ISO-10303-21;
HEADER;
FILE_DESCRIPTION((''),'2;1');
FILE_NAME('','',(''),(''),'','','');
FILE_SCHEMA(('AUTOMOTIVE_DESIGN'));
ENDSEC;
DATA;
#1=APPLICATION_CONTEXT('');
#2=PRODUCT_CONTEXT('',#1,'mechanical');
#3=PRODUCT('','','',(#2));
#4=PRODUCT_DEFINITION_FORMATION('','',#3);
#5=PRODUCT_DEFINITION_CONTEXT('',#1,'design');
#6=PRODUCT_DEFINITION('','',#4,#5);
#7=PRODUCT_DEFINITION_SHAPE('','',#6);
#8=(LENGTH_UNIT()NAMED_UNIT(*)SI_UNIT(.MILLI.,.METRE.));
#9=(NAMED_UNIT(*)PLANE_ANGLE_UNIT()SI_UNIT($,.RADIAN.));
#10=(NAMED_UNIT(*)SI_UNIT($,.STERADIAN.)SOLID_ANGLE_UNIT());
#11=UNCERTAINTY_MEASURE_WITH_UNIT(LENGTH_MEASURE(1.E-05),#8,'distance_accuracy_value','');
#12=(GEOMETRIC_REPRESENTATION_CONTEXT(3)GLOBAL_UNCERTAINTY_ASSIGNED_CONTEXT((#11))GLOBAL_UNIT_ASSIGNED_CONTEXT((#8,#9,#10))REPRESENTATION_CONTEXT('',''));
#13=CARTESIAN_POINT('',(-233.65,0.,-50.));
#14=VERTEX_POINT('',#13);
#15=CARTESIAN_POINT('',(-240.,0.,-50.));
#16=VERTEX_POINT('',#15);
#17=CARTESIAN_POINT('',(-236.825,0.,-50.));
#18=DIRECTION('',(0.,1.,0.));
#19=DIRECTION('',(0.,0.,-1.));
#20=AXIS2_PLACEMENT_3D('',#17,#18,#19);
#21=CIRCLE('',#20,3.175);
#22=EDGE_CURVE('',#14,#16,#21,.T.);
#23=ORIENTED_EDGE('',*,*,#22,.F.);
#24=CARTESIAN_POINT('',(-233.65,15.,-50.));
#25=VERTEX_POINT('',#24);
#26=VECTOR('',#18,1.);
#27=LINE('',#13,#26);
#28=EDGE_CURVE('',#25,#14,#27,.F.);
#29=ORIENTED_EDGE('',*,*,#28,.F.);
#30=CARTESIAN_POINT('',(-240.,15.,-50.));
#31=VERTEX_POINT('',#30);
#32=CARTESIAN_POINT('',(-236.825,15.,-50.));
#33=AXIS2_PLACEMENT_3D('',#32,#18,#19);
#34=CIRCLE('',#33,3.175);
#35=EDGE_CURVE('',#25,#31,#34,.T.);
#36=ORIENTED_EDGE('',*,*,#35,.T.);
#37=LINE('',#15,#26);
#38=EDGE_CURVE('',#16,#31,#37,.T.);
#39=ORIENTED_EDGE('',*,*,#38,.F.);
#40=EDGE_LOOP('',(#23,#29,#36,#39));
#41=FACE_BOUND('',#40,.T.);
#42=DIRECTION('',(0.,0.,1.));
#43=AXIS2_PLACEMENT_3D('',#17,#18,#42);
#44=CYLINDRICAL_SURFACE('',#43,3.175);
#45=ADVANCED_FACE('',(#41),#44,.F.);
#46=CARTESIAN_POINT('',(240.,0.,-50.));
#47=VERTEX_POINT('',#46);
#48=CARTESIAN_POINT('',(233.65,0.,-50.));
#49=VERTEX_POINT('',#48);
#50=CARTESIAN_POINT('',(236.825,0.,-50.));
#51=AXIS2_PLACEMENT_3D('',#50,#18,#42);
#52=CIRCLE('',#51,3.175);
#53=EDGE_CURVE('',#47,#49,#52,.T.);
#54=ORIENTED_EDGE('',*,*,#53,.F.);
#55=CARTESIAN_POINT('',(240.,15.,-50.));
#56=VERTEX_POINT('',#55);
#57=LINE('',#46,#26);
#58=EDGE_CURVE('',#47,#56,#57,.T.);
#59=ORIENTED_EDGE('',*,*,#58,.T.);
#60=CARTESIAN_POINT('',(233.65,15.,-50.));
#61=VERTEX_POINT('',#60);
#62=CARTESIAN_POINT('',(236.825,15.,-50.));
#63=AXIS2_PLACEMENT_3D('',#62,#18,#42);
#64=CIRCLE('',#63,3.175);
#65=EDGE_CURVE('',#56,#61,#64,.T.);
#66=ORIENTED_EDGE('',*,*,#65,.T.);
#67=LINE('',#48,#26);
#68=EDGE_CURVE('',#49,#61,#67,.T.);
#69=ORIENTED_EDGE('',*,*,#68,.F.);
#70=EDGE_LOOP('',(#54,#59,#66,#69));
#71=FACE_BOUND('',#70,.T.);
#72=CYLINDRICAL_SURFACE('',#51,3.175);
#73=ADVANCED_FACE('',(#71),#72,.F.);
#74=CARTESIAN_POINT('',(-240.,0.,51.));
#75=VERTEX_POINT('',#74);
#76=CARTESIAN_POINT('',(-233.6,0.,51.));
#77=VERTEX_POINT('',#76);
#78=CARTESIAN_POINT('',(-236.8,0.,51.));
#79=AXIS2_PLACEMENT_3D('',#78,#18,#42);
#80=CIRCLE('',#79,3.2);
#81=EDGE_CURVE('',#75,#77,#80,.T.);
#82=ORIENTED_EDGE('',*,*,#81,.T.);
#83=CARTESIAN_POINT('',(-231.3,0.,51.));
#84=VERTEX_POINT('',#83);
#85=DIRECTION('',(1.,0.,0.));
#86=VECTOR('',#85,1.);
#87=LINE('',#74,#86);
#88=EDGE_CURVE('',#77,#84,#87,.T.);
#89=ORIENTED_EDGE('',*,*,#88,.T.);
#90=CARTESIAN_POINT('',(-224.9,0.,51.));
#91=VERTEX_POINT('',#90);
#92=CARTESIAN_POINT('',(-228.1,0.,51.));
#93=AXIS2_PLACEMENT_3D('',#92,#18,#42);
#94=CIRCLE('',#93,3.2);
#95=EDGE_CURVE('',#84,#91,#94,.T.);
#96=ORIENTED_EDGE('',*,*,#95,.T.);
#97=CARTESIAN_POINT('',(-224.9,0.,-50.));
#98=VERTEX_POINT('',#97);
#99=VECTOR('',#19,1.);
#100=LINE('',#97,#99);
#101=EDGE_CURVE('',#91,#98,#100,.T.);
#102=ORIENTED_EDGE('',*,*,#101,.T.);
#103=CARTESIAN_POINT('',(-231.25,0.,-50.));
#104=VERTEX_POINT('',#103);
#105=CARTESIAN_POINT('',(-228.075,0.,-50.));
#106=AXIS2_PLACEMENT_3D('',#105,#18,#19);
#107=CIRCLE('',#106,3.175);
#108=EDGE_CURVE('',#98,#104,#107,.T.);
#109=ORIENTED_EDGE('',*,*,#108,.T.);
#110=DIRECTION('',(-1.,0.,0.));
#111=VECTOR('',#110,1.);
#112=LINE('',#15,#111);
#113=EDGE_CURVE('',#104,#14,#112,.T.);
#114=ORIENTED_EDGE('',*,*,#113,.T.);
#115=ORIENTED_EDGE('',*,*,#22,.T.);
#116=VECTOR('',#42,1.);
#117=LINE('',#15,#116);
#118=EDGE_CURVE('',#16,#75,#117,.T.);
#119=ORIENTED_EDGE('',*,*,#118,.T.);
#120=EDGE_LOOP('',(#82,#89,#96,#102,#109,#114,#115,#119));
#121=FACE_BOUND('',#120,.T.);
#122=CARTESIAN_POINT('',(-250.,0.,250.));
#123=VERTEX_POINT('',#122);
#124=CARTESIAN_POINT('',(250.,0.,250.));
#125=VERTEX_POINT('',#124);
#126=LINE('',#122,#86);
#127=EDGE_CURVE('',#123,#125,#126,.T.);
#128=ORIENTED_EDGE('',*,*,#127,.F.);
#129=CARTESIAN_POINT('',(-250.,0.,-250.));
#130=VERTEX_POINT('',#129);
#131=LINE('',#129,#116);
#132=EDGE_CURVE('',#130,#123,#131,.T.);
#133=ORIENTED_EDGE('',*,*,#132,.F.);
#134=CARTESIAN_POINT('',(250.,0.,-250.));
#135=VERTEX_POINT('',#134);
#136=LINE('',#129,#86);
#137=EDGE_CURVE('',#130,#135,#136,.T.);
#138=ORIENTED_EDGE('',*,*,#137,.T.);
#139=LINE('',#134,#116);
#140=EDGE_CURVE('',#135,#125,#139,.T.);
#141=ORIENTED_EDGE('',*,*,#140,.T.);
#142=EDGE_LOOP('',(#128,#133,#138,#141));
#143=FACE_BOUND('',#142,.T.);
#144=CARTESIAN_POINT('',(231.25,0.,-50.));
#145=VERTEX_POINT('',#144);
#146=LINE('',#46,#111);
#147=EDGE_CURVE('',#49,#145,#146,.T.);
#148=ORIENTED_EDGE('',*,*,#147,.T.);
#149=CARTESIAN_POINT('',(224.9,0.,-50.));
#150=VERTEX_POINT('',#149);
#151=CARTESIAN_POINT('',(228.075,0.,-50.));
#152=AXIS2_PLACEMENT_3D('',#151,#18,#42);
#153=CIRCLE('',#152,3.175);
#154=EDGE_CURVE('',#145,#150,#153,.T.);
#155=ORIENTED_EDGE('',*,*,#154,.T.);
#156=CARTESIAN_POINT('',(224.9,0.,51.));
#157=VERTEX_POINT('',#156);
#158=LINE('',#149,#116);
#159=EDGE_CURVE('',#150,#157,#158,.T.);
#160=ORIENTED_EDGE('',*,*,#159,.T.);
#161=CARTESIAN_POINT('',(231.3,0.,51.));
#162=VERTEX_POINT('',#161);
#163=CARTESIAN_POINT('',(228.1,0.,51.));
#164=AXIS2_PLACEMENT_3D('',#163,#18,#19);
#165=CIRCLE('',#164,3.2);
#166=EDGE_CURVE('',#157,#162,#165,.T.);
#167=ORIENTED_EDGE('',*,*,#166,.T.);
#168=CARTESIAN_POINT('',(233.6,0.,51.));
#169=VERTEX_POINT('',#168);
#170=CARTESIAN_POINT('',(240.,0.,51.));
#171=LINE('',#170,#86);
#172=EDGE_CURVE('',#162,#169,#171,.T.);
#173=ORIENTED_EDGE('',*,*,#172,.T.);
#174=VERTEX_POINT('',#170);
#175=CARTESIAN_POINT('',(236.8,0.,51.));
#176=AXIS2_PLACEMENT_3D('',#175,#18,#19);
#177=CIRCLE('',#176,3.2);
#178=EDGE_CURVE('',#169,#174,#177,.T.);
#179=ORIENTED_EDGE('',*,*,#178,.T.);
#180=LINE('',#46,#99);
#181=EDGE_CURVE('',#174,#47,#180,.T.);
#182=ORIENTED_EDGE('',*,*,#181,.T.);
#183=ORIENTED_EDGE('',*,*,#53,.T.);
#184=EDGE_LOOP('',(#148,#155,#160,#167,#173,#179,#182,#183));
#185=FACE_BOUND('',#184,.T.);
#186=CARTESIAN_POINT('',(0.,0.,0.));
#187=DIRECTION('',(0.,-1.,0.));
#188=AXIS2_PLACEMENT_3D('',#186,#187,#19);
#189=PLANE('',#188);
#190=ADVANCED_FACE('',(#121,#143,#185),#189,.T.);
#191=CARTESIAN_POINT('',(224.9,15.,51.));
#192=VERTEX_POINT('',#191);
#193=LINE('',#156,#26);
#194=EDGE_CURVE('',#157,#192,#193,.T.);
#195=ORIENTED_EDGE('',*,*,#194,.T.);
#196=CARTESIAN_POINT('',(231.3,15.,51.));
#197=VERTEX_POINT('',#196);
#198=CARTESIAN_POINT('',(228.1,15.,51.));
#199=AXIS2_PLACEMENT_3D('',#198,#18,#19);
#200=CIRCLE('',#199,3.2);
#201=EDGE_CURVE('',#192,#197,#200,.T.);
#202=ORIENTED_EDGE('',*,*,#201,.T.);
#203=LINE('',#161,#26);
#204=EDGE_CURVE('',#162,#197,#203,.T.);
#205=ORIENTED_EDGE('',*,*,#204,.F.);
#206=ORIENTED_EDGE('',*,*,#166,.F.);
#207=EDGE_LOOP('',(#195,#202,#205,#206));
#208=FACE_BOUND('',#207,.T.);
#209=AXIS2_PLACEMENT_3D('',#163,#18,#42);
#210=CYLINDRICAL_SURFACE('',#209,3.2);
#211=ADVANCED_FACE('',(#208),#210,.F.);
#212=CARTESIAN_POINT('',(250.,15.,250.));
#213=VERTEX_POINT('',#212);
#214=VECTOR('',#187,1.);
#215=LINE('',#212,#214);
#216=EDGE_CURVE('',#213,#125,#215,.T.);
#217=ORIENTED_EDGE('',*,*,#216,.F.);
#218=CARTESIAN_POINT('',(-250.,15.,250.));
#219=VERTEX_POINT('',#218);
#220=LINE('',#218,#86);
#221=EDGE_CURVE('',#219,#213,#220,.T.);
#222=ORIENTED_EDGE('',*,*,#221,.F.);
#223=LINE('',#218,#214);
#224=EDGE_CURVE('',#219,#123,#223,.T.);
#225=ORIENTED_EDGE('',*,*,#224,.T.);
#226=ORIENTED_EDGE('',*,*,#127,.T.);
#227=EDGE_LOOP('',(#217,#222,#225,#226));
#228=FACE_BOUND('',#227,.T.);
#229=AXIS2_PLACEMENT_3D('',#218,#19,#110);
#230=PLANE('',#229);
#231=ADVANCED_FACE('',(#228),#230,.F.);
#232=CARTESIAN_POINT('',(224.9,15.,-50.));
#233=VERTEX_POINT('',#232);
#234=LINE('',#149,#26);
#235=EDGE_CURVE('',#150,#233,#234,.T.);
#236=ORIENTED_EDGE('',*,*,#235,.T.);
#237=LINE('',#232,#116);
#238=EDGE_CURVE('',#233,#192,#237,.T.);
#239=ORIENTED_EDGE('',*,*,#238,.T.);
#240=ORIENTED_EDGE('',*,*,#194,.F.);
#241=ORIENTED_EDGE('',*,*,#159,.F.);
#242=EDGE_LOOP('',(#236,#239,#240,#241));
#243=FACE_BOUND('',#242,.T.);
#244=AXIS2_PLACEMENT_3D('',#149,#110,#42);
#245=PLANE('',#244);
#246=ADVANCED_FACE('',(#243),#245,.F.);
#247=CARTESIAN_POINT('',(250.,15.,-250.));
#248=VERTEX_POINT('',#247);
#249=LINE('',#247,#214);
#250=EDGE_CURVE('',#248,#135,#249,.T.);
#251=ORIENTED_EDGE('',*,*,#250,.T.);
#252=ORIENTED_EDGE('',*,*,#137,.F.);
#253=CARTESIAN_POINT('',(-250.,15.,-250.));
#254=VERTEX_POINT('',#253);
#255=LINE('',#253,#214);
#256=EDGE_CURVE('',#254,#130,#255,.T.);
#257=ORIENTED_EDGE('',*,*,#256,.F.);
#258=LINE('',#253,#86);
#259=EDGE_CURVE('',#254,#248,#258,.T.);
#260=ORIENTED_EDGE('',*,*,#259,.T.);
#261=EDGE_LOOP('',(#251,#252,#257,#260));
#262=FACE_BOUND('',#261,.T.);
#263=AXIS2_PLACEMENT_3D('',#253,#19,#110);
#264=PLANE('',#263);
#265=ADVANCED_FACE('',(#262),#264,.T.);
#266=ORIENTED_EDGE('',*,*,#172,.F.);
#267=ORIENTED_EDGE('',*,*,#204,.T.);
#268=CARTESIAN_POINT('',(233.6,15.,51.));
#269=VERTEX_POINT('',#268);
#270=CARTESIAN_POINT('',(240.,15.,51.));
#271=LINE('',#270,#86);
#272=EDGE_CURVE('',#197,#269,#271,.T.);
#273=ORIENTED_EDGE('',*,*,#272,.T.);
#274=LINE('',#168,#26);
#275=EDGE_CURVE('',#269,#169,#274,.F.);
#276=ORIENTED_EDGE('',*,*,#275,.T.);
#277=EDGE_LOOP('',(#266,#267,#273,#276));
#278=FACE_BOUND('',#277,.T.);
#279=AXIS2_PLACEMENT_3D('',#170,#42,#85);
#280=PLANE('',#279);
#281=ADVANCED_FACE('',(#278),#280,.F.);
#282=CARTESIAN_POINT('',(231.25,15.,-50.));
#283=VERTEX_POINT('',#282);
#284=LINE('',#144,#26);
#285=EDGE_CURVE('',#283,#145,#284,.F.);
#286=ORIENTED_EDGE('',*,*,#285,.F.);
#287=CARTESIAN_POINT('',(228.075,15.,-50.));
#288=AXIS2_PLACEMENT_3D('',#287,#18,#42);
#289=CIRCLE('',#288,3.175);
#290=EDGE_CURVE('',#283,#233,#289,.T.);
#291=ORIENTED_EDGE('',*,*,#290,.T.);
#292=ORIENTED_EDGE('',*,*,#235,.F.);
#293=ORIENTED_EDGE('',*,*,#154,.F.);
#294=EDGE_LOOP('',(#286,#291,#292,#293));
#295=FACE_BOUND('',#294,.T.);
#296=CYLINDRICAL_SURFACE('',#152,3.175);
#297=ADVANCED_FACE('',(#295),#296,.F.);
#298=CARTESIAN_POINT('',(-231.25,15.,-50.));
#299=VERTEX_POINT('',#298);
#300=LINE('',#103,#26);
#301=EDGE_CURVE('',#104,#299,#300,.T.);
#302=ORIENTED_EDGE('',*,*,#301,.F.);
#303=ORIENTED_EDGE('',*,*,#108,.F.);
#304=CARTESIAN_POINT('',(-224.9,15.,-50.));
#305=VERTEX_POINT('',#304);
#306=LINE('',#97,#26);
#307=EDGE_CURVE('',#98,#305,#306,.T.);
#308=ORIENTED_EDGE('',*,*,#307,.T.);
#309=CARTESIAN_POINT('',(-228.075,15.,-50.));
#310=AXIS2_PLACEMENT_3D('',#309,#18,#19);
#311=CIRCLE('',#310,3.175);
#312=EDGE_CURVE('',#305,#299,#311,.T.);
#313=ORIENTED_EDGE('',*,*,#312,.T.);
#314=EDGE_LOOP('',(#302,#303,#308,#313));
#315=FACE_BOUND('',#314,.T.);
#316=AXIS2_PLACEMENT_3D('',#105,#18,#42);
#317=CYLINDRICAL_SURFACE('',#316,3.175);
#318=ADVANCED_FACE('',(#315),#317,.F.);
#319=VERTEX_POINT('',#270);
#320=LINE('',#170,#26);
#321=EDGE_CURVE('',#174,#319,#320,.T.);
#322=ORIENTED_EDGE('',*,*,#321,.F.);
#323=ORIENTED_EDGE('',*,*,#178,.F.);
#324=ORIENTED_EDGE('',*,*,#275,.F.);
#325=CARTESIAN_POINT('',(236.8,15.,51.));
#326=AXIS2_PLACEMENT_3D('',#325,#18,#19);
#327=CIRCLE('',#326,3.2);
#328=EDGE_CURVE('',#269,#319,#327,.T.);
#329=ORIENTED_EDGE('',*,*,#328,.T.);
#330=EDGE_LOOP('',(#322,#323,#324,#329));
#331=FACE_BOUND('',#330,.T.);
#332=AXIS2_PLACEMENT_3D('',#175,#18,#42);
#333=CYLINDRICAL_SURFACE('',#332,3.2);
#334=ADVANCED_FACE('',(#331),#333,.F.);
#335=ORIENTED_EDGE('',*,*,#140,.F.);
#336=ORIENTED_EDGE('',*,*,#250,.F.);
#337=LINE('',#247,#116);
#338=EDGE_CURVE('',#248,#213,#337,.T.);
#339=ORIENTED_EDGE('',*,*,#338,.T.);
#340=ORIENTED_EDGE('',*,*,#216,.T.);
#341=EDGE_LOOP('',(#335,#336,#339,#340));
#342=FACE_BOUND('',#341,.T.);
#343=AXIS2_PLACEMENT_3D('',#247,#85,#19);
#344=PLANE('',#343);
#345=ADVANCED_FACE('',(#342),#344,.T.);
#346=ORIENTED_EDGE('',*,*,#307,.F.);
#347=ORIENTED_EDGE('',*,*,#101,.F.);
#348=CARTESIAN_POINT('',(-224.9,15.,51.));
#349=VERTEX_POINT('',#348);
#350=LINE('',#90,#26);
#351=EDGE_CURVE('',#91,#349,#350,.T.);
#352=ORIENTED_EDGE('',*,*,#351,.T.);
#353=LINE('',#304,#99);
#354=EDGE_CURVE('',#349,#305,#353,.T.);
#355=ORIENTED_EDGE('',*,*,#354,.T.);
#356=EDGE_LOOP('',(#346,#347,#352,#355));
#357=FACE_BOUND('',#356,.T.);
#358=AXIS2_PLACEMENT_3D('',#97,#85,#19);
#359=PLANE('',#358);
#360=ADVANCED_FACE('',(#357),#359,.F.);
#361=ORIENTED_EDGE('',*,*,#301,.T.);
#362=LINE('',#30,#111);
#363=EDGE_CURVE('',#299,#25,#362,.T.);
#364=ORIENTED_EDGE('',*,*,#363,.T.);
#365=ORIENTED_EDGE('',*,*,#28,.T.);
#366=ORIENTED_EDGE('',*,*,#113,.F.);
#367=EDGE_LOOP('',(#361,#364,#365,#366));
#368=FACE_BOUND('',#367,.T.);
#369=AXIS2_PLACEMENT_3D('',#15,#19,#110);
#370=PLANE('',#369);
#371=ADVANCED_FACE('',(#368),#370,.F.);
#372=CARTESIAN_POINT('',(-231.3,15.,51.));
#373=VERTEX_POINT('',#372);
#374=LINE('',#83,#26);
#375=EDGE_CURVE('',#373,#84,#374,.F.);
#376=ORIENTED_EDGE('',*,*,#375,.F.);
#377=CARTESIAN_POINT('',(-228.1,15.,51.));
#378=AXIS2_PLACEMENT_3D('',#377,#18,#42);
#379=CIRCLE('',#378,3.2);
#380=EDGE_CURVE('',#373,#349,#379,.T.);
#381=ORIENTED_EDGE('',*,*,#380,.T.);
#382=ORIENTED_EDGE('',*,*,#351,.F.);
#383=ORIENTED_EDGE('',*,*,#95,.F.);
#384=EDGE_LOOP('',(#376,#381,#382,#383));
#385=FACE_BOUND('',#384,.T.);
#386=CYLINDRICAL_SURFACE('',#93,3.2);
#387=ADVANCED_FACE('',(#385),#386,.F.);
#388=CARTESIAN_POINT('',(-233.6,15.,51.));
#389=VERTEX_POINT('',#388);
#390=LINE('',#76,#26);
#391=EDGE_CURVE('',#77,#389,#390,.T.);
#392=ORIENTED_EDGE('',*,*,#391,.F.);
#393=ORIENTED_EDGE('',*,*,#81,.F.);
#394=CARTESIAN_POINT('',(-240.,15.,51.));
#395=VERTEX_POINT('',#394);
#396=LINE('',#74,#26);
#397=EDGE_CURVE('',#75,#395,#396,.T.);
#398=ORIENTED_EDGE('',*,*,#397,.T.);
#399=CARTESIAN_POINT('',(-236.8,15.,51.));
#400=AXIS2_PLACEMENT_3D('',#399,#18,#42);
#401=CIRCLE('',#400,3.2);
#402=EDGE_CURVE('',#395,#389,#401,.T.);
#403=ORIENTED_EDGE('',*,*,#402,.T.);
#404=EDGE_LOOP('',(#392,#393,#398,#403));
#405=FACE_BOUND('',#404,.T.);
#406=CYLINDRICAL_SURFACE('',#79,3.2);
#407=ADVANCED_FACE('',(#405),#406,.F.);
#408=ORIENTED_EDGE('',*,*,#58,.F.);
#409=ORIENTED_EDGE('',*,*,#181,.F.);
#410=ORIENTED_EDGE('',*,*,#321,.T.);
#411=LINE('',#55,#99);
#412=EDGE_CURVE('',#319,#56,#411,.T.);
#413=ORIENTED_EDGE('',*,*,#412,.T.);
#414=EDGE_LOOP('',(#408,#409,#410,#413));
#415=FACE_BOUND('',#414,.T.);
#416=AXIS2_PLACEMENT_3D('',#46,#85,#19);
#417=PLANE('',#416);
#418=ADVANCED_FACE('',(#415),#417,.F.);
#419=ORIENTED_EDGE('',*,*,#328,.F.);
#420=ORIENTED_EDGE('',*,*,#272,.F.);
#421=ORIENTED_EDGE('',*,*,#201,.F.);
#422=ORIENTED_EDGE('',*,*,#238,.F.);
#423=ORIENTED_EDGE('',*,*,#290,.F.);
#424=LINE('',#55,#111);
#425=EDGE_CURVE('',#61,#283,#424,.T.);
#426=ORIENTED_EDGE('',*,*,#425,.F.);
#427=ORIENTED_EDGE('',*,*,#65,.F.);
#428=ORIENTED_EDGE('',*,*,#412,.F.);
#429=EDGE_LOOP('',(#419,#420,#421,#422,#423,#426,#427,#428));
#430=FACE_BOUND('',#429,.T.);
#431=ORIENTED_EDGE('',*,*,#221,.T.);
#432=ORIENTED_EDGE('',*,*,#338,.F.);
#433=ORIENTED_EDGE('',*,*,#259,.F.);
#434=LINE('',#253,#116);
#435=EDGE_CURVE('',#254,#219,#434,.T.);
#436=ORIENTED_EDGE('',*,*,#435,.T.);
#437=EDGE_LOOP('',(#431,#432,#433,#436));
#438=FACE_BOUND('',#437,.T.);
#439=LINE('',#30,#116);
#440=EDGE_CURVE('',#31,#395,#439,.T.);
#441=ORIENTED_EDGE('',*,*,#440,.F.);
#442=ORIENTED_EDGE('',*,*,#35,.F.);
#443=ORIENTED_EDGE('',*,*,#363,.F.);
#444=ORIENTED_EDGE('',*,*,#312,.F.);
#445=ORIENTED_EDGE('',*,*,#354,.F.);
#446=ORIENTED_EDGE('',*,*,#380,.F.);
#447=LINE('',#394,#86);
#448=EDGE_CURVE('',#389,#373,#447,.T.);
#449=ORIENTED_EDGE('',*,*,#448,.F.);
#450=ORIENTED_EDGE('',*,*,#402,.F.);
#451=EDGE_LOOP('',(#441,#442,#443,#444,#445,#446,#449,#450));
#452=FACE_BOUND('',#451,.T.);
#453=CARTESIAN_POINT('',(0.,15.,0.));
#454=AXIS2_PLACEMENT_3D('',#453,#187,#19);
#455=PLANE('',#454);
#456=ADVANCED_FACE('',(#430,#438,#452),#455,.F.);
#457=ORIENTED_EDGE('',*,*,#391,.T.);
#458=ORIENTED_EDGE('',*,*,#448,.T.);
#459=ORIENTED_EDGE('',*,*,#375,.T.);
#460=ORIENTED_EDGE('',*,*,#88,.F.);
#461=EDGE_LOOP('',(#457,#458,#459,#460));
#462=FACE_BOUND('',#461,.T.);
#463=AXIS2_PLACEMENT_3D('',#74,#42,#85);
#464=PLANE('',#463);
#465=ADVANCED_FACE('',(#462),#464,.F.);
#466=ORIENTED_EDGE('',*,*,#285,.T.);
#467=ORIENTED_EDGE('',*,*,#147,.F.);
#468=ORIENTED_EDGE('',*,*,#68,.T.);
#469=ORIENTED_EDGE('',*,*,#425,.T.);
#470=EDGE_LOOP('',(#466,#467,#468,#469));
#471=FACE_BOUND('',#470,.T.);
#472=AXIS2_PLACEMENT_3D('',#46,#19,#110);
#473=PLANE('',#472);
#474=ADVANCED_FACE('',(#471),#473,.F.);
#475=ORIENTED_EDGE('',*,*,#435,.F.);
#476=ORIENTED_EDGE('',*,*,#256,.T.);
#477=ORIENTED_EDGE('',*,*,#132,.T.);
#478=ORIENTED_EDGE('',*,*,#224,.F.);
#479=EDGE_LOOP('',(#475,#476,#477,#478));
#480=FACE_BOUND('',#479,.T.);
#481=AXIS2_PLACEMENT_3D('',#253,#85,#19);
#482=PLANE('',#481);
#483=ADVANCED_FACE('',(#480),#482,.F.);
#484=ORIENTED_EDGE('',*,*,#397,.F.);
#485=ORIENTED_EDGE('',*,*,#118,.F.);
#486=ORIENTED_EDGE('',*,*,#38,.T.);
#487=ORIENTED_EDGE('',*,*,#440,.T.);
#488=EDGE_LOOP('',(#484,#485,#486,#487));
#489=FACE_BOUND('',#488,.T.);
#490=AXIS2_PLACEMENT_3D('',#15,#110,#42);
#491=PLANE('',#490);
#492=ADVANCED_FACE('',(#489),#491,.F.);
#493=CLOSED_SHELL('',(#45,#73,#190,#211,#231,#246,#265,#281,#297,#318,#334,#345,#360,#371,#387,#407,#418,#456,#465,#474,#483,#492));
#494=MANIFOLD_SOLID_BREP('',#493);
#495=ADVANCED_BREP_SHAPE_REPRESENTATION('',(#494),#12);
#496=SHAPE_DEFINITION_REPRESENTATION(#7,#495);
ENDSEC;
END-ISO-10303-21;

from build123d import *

# Parameters (mm, degrees)
CROQUIS1_W              = 500
CROQUIS1_H              = 500
SALIENTE_EXTRUIR1_DEPTH = 15
CROQUIS3_W              = 15.1
CROQUIS3_H              = 101
CORTAR_EXTRUIR1_DEPTH   = 16
CROQUIS4_R              = 3.2
CROQUIS4_R_2            = 3.175
CORTAR_EXTRUIR2_DEPTH   = 16


with BuildPart() as part:
    # Croquis1 → Saliente-Extruir1 (new body)
    with BuildSketch(Plane(origin=(0, 0, 0), x_dir=(1, 0, 0), z_dir=(0, 1, 0))):
        Rectangle(CROQUIS1_W, CROQUIS1_H)
    extrude(amount=SALIENTE_EXTRUIR1_DEPTH)

    # Croquis3 → Cortar-Extruir1 (cut, through all)
    with BuildSketch(Plane(origin=(0, 15, 0), x_dir=(1, 0, 0), z_dir=(0, 1, 0))):
        with Locations((-232.45, -0.5)):
            Rectangle(CROQUIS3_W, CROQUIS3_H)
        with Locations((232.45, -0.5)):
            Rectangle(CROQUIS3_W, CROQUIS3_H)
    extrude(amount=-CORTAR_EXTRUIR1_DEPTH, mode=Mode.SUBTRACT)

    # Croquis4 → Cortar-Extruir2 (cut, through all)
    with BuildSketch(Plane(origin=(0, 15, 0), x_dir=(1, 0, 0), z_dir=(0, 1, 0))):
        with Locations((-228.1, -51)):
            Circle(CROQUIS4_R)
        with Locations((-236.8, -51)):
            Circle(CROQUIS4_R)
        with Locations((-228.075, 50)):
            Circle(CROQUIS4_R_2)
        with Locations((-236.825, 50)):
            Circle(CROQUIS4_R_2)
        with Locations((236.8, -51)):
            Circle(CROQUIS4_R)
        with Locations((228.1, -51)):
            Circle(CROQUIS4_R)
        with Locations((228.075, 50)):
            Circle(CROQUIS4_R_2)
        with Locations((236.825, 50)):
            Circle(CROQUIS4_R_2)
    extrude(amount=-CORTAR_EXTRUIR2_DEPTH, mode=Mode.SUBTRACT)


solid = part.part
